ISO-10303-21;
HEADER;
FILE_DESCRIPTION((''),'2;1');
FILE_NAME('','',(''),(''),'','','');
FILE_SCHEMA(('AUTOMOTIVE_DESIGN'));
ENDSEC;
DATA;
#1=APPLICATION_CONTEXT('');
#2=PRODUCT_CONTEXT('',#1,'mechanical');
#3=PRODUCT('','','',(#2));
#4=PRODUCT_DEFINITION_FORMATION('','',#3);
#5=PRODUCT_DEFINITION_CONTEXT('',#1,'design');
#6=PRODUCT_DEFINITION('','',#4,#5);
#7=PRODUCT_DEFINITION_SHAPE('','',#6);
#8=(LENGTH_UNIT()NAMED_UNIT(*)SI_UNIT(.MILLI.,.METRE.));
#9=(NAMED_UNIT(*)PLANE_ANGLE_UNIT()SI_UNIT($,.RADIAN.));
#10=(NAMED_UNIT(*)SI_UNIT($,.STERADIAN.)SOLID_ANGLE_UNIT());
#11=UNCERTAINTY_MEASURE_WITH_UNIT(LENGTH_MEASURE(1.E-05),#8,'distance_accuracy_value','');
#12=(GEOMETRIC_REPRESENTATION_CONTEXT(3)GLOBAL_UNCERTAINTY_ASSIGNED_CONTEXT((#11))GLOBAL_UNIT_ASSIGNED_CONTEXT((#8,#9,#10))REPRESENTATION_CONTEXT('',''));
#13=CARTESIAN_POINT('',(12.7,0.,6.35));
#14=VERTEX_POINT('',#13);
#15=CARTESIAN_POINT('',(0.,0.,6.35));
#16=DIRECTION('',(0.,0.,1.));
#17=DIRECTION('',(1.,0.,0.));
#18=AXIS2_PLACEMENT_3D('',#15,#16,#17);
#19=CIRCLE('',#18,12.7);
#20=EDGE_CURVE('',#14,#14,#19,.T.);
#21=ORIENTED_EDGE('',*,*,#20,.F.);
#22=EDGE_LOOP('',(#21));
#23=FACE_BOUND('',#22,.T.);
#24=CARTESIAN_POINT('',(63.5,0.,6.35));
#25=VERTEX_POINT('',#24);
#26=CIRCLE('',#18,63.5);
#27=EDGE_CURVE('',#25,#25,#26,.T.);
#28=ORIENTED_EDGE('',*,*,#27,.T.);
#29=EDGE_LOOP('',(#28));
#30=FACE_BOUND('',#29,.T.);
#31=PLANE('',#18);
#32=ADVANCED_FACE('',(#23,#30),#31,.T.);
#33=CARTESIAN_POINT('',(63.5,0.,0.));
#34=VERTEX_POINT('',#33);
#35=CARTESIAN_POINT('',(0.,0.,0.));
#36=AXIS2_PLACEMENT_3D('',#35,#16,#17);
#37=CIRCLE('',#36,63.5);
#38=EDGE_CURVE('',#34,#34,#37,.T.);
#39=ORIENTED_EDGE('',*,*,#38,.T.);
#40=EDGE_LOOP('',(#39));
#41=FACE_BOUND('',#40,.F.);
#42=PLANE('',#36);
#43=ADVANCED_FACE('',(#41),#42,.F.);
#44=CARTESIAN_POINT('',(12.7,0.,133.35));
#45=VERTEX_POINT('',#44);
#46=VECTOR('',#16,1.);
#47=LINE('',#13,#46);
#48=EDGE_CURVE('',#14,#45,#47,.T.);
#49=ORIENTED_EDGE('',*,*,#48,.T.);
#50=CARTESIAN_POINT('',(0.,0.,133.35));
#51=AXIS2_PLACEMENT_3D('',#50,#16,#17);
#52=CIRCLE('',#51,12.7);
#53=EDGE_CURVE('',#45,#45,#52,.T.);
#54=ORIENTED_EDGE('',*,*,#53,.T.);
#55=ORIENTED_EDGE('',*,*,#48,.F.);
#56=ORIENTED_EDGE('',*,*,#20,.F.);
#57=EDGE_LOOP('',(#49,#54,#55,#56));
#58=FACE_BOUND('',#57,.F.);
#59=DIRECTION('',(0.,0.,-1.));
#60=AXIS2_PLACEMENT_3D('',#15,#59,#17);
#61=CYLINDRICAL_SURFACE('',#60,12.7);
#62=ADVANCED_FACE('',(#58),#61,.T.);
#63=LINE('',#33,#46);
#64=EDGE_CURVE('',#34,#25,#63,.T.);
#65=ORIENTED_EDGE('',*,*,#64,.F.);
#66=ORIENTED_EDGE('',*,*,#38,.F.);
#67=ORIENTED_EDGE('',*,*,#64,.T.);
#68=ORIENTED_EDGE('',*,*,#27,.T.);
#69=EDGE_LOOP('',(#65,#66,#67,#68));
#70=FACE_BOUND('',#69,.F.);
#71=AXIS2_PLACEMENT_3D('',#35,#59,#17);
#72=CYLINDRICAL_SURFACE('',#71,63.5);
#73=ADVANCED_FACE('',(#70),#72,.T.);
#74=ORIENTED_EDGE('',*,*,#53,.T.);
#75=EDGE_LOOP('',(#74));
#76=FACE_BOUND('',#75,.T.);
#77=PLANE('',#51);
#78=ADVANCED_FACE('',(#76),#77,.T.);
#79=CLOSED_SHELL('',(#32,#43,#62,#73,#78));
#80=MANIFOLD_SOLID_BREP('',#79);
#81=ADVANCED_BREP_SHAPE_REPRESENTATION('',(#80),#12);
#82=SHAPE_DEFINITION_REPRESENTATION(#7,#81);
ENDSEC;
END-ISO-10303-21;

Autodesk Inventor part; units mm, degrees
ref_plane "YZ Plane" through (0, 0, 0) normal (1, 0, 0) x (0, 1, 0)
ref_plane "XZ Plane" through (0, 0, 0) normal (0, 1, 0) x (-1, 0, 0)
ref_plane "XY Plane" through (0, 0, 0) normal (0, 0, 1) x (1, 0, 0)
sketch "Sketch1" plane through (0, 0, 0) normal (0, 0, 1) x (1, 0, 0)
  circle A0 centre (0, 0) radius 63.5
  dimension "d0" = 127
extrude "Extrusion1" add sketch "Sketch1" along normal blind 6.35
sketch "Sketch2" plane through (0, 0, 6.35) normal (0, 0, 1) x (1, 0, 0)
  circle A0 centre (0, 0) radius 12.7
  dimension "d3" = 25.4
extrude "Extrusion2" add sketch "Sketch2" along normal blind 127
equation "\"d0\" = IG_gearDiameter"
equation "\"d1\" = IG_gearThickness"
equation "\"d3\" = IG_shaftDiameter"
equation "\"d4\" = IG_shaftLength"
equation "\"Wheel_Related_W_\" = 0"
equation "\"W_innerDiameter\" = 254"
equation "\"W_innerDepth\" = 50.8"
equation "\"W_wallThickness\" = 6.35"
equation "\"W_holesClearance\" = 0.254"
equation "\"W_outerGearHoleDiameter\" = 13.208"
equation "\"W_innerGearHoleDiameter\" = 38.608"
equation "\"TempSpotReserved7\" = 0"
equation "\"TempSpotReserved8\" = 0"
equation "\"TempSpotReserved9\" = 0"
equation "\"TempSpotReserved10\" = 0"
equation "\"TempSpotReserved11\" = 0"
equation "\"TempSpotReserved12\" = 0"
equation "\"TempSpotReserved13\" = 0"
equation "\"TempSpotReserved14\" = 0"
equation "\"TempSpotReserved15\" = 0"
equation "\"TempSpotReserved16\" = 0"
equation "\"TempSpotReserved17\" = 0"
equation "\"TempSpotReserved18\" = 0"
equation "\"TempSpotReserved19\" = 0"
equation "\"TempSpotReserved20\" = 0"
equation "\"Inner_Gear_Related_IG_\" = 0"
equation "\"IG_shaftDiameter\" = 25.4"
equation "\"IG_gearDiameter\" = 127"
equation "\"IG_shaftLength\" = 127"
equation "\"IG_gearThickness\" = 6.35"
equation "\"TempSpotReserved25\" = 0"
equation "\"TempSpotReserved26\" = 0"
equation "\"TempSpotReserved27\" = 0"
equation "\"TempSpotReserved28\" = 0"
equation "\"TempSpotReserved29\" = 0"
equation "\"TempSpotReserved30\" = 0"
equation "\"TempSpotReserved31\" = 0"
equation "\"TempSpotReserved32\" = 0"
equation "\"TempSpotReserved33\" = 0"
equation "\"TempSpotReserved34\" = 0"
equation "\"TempSpotReserved35\" = 0"
equation "\"TempSpotReserved36\" = 0"
equation "\"TempSpotReserved37\" = 0"
equation "\"TempSpotReserved38\" = 0"
equation "\"TempSpotReserved39\" = 0"
equation "\"TempSpotReserved40\" = 0"
equation "\"Outer_Gear_Related_OG_\" = 0"
equation "\"OG_distanceFromCenter\" = 88.9"
equation "\"OG_shaftDiameter\" = 12.7"
equation "\"OG_gearDiameter\" = 50.8"
equation "\"OG_shaftLength\" = 57.15"
equation "\"OG_gearThickness\" = 6.35"
equation "\"TempSpotReserved47\" = 0"
equation "\"TempSpotReserved48\" = 0"
equation "\"TempSpotReserved49\" = 0"
equation "\"TempSpotReserved50\" = 0"
equation "\"TempSpotReserved51\" = 0"
equation "\"TempSpotReserved52\" = 0"
equation "\"TempSpotReserved53\" = 0"
equation "\"TempSpotReserved54\" = 0"
equation "\"TempSpotReserved55\" = 0"
equation "\"TempSpotReserved56\" = 0"
equation "\"TempSpotReserved57\" = 0"
equation "\"TempSpotReserved58\" = 0"
equation "\"TempSpotReserved59\" = 0"
equation "\"TempSpotReserved60\" = 0"
equation "\"Leg_Extensions_Related_LE_\" = 0"
equation "\"LE_baseDiameter\" = 19.05"
equation "\"LE_maxLength\" = 93.92488"
equation "\"LE_thickness\" = 19.05"
equation "\"IG_ratioToOuterGear\" = 2.5"
equation "\"B_bearingThickness\" = 6.35"
equation "\"TempSpotReserved43\" = 0"
equation "\"TempSpotReserved45\" = 0"
equation "\"Thisisatest\" = 25.4"
equation "\"TempSpotReserved46\" = 0"
equation "\"TempSpotReserved44\" = 0"
equation "\"LE_offsetAboveOuterGear\" = 0"
equation "\"Bearing_Related_B_\" = 0"
equation "\"TempSpotReserved42\" = 0"
properties part number "innerGear_1"
